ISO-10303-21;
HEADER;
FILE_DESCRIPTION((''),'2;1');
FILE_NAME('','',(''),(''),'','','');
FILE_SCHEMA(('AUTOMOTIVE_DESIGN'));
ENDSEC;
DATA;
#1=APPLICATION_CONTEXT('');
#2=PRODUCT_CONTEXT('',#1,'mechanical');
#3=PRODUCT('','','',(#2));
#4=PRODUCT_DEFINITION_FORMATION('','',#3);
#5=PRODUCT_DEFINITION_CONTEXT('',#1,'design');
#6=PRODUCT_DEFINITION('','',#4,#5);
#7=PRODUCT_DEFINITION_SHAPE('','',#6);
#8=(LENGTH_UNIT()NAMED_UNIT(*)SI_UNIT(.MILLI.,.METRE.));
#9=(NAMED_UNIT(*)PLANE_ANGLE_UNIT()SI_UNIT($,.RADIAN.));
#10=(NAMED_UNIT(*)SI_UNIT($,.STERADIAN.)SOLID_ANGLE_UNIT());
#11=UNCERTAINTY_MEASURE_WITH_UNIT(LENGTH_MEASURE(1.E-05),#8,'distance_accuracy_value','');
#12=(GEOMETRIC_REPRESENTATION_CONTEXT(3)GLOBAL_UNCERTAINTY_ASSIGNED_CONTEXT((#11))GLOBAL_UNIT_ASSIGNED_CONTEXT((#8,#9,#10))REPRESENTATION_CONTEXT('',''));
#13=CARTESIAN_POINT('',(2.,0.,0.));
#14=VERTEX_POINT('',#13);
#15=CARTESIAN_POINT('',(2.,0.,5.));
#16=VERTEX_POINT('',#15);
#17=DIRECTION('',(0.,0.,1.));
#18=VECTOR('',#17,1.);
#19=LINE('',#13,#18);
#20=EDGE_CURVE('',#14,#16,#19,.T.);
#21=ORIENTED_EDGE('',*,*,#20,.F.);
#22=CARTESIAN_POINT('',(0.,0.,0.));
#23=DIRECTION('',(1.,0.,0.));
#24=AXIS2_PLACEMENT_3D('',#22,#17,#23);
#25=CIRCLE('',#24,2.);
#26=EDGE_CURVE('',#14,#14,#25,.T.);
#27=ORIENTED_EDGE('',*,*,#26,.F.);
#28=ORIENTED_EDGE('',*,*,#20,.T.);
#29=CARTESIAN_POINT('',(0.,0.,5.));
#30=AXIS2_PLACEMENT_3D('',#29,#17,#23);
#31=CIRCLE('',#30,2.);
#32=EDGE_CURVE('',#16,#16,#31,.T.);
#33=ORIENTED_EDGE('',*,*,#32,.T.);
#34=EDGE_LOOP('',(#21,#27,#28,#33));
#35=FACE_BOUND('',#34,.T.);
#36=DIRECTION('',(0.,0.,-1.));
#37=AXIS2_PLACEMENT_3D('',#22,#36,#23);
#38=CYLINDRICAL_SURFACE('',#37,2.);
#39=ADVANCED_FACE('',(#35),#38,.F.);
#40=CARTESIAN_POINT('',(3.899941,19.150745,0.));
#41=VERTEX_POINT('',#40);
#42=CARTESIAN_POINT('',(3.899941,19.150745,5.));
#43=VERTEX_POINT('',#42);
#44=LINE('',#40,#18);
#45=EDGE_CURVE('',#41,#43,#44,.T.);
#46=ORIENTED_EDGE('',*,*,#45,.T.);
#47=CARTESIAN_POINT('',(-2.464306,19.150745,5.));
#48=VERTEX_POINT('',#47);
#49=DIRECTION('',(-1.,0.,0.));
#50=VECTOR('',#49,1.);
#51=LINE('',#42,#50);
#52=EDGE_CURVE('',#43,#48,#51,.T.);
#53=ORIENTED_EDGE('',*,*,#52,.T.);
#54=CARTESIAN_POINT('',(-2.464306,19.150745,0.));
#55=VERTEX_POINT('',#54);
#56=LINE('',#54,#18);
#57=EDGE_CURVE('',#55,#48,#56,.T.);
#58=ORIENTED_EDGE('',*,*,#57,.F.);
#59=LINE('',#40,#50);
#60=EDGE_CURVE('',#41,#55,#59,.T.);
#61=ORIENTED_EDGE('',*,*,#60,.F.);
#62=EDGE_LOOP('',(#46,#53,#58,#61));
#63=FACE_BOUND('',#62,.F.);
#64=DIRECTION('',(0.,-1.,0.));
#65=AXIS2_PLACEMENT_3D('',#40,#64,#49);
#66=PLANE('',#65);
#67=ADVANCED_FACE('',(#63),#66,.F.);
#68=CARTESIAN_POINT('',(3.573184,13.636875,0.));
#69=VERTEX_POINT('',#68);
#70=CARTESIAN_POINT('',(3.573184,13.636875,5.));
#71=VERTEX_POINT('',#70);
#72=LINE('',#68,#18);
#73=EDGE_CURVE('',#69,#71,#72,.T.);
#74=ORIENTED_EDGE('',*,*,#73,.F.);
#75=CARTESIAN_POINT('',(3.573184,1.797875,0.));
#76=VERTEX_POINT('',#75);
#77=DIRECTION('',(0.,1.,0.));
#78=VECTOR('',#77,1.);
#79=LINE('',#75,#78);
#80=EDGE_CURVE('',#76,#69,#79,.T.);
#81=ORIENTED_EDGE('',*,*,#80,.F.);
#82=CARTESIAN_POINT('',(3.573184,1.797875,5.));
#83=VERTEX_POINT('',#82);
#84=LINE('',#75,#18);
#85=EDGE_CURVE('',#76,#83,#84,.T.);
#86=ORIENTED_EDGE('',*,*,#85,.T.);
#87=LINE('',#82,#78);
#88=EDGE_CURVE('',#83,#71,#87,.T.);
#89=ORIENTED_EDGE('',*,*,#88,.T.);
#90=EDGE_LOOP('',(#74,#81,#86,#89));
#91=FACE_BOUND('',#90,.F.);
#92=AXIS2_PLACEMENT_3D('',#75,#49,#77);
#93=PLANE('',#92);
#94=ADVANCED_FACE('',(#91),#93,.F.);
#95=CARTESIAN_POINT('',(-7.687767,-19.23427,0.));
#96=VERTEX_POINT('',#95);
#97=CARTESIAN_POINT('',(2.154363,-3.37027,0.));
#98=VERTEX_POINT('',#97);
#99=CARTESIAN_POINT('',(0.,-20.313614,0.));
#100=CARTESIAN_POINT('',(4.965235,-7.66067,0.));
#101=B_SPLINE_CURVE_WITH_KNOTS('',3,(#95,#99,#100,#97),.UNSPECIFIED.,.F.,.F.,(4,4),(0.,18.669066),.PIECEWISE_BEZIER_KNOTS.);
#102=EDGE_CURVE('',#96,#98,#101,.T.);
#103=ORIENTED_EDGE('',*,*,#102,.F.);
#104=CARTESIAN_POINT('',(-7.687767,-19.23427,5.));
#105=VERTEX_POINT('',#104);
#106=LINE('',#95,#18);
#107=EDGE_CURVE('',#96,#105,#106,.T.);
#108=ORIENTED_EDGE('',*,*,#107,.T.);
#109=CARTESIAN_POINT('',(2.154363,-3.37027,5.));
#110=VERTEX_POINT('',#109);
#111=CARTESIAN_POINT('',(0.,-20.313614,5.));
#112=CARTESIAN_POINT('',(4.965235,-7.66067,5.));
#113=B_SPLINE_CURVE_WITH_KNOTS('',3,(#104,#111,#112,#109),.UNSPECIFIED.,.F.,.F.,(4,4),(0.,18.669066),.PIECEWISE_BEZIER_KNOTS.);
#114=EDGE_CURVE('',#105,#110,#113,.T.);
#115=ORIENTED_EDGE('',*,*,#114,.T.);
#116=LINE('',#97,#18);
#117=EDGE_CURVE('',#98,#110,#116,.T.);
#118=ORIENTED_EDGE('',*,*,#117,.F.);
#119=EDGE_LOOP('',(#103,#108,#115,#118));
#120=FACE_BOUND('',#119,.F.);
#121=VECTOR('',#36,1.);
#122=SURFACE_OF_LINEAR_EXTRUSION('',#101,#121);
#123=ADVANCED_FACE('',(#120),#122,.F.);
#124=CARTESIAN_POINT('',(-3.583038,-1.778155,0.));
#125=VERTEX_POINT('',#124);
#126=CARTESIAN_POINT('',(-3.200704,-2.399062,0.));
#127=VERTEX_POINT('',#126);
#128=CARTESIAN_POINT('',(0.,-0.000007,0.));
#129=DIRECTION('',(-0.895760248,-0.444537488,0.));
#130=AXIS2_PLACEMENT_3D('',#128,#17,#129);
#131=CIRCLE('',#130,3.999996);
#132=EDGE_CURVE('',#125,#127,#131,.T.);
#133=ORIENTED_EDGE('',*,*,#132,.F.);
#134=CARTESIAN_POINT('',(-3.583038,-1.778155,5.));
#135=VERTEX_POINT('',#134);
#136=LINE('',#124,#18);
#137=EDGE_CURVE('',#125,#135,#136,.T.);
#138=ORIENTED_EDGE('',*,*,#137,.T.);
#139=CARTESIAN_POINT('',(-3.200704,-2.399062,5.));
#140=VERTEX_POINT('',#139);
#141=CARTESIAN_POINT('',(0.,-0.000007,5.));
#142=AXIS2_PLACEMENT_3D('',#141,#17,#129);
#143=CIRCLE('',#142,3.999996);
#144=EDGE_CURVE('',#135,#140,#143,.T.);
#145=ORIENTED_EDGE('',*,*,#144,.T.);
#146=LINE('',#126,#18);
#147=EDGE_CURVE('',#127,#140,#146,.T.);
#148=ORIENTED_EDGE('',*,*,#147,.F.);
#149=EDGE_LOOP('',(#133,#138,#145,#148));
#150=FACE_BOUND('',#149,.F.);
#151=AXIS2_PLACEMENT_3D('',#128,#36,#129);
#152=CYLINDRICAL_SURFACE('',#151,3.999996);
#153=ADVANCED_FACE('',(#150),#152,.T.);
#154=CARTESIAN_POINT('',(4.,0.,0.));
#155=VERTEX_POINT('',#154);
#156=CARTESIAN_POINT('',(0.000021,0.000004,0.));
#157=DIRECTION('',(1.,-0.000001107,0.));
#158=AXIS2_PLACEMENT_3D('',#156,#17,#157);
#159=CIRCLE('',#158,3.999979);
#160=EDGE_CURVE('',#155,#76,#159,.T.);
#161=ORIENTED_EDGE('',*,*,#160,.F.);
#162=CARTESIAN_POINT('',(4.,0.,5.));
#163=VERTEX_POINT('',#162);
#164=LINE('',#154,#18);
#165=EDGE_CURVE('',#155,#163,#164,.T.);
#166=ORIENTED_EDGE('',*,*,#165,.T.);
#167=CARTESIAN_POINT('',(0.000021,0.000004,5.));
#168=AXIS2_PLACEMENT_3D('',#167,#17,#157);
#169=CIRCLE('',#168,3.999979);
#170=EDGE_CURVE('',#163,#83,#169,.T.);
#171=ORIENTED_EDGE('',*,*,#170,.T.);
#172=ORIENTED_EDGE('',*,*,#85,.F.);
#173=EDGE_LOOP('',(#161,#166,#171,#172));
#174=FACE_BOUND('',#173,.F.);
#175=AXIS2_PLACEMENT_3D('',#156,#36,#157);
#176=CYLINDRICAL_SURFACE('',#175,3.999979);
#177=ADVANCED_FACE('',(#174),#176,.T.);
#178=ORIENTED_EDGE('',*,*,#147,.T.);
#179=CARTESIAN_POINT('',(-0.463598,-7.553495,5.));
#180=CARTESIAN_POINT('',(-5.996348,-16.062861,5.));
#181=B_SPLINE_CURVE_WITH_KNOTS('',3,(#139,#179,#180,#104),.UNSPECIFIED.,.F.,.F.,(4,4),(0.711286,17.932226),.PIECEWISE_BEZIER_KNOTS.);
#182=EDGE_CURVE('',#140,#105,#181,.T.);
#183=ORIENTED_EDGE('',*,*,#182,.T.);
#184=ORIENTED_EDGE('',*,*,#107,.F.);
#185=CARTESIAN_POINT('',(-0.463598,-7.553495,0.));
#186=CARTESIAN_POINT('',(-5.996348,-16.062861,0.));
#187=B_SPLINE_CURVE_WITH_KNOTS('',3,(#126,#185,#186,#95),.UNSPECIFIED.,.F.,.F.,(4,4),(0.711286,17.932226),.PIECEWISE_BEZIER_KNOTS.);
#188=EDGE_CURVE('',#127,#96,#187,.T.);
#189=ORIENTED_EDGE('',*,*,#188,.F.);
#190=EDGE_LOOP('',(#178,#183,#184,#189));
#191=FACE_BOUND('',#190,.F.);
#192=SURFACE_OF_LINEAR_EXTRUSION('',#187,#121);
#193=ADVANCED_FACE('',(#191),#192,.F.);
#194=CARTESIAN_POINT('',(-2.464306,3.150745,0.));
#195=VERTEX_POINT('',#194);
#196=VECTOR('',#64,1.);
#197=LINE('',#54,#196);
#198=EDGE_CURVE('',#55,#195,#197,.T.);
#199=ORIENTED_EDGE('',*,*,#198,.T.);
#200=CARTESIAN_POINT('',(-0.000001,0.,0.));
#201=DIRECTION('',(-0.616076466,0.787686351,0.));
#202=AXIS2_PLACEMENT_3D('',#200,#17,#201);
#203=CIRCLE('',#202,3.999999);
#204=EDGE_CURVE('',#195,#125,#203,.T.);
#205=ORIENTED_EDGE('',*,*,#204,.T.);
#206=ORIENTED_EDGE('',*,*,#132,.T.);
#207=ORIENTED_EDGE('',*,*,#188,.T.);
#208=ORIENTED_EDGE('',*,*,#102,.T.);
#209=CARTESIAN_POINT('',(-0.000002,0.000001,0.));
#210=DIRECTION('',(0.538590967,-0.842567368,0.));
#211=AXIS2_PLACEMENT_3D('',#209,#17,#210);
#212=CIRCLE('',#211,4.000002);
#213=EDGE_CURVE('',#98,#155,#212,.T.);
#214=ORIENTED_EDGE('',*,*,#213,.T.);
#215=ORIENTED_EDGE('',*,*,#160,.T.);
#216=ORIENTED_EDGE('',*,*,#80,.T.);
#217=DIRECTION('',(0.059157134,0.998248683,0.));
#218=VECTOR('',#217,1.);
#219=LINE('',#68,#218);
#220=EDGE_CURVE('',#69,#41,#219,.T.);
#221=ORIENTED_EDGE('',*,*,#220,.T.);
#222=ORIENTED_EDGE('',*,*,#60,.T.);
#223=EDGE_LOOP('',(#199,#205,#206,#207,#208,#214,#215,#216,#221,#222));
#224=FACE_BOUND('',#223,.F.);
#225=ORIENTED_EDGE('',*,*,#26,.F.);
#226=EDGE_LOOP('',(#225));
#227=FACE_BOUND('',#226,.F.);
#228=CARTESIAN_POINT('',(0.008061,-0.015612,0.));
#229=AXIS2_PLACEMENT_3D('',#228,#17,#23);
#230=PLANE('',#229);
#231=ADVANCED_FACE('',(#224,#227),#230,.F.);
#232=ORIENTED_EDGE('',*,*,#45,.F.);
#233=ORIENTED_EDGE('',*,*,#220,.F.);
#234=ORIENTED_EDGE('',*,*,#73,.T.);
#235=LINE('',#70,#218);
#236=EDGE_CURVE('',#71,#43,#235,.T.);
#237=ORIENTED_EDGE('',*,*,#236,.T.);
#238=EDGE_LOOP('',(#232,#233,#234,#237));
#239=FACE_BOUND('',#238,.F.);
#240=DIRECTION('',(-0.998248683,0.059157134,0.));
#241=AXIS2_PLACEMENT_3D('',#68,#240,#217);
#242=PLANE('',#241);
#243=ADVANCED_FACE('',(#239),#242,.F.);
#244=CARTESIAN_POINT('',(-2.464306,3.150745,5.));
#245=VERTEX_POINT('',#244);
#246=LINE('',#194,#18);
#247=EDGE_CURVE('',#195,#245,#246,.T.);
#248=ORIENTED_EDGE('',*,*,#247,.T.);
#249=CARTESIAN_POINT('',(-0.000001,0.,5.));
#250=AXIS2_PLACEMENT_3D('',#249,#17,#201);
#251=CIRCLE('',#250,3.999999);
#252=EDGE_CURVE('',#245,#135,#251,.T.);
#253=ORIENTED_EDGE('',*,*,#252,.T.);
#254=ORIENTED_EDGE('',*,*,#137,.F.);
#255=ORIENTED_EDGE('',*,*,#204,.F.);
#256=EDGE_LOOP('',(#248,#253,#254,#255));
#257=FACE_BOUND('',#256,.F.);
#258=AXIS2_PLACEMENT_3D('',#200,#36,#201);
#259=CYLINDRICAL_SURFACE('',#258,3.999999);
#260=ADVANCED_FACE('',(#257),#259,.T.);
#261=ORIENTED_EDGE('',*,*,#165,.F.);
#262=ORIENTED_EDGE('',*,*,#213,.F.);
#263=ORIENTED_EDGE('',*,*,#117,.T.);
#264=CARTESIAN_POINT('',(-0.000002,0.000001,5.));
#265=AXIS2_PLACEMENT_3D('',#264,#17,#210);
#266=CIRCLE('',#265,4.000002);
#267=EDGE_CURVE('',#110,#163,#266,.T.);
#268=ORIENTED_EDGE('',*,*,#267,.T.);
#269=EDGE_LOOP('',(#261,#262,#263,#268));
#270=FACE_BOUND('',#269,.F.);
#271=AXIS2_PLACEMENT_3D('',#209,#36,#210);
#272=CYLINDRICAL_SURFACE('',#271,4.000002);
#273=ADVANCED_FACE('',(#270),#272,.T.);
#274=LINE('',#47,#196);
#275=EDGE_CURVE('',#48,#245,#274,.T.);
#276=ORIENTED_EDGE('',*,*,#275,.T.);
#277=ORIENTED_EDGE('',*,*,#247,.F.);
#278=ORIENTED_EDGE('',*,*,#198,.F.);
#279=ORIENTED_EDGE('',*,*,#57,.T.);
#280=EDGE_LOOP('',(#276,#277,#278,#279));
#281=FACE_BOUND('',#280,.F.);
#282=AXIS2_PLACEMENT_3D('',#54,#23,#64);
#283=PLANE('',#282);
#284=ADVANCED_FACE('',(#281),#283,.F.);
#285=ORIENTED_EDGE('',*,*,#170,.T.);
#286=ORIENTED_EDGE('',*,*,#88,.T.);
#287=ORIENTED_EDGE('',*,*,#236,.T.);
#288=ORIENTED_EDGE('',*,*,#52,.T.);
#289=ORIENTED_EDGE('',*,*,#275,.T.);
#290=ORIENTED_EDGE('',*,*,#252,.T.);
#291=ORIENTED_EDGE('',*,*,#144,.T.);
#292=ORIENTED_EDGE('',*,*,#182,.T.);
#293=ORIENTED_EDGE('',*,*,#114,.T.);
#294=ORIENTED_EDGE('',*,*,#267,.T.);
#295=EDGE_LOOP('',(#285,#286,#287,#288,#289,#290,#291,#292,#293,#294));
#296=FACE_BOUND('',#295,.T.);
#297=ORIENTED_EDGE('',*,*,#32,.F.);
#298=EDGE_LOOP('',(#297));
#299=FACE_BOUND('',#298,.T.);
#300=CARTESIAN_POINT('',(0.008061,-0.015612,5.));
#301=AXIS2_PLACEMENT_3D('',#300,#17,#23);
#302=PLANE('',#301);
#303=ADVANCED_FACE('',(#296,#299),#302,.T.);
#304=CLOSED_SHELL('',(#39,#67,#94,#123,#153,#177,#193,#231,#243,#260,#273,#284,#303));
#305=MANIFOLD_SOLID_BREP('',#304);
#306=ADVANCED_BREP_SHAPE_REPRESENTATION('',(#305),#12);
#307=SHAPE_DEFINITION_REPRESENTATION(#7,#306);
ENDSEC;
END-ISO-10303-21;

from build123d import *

# Parameters (mm, degrees)
F0_R     = 2
F1_DEPTH = 5


with BuildPart() as f1:
    # F0 (on Top) → F1 (new body)
    with BuildSketch(Plane.XY):
        with BuildLine():
            ThreePointArc((2.154363, -3.37027), (3.508379, -1.921269), (4, 0))
            ThreePointArc((4, 0), (3.891834, 0.923922), (3.573184, 1.797875))
            ThreePointArc((3.573184, 1.797875), (0.874624, 3.903208), (-2.464306, 3.150745))
            ThreePointArc((-2.464306, 3.150745), (-3.900783, 0.885376), (-3.583038, -1.778155))
            add(Edge.make_bspline(
                [(-3.583038, -1.778155), (-3.440916, -1.978992), (-3.313756, -2.186165), (-3.200704, -2.399062)],
                knots=[0, 0, 0, 0, 0.711286, 0.711286, 0.711286, 0.711286], degree=3))
            ThreePointArc((-3.200704, -2.399062), (-0.713806, -3.935795), (2.154363, -3.37027))
        make_face()
        Circle(F0_R, mode=Mode.SUBTRACT)
        with BuildLine():
            ThreePointArc((-2.464306, 3.150745), (0.874624, 3.903208), (3.573184, 1.797875))
            Line((3.573184, 1.797875), (3.573184, 13.636875))
            Line((3.573184, 13.636875), (3.899941, 19.150745))
            Line((3.899941, 19.150745), (-2.464306, 19.150745))
            Line((-2.464306, 19.150745), (-2.464306, 13.636875))
            Line((-2.464306, 13.636875), (-2.464306, 3.150745))
        make_face()
        with BuildLine():
            add(Edge.make_bspline(
                [(-7.687767, -19.23427), (0, -20.313614), (4.965235, -7.66067), (2.154363, -3.37027)],
                knots=[0, 0, 0, 0, 18.669066, 18.669066, 18.669066, 18.669066], degree=3))
            ThreePointArc((2.154363, -3.37027), (-0.713806, -3.935795), (-3.200704, -2.399062))
            add(Edge.make_bspline(
                [(-3.200704, -2.399062), (-0.463598, -7.553495), (-5.996348, -16.062861), (-7.687767, -19.23427)],
                knots=[0.711286, 0.711286, 0.711286, 0.711286, 17.932226, 17.932226, 17.932226, 17.932226], degree=3))
        make_face()
        with BuildLine():
            ThreePointArc((-3.583038, -1.778155), (-3.406049, -2.097339), (-3.200704, -2.399062))
            add(Edge.make_bspline(
                [(-3.583038, -1.778155), (-3.440916, -1.978992), (-3.313756, -2.186165), (-3.200704, -2.399062)],
                knots=[0, 0, 0, 0, 0.711286, 0.711286, 0.711286, 0.711286], degree=3))
        make_face()
    extrude(amount=F1_DEPTH)


solid = f1.part
